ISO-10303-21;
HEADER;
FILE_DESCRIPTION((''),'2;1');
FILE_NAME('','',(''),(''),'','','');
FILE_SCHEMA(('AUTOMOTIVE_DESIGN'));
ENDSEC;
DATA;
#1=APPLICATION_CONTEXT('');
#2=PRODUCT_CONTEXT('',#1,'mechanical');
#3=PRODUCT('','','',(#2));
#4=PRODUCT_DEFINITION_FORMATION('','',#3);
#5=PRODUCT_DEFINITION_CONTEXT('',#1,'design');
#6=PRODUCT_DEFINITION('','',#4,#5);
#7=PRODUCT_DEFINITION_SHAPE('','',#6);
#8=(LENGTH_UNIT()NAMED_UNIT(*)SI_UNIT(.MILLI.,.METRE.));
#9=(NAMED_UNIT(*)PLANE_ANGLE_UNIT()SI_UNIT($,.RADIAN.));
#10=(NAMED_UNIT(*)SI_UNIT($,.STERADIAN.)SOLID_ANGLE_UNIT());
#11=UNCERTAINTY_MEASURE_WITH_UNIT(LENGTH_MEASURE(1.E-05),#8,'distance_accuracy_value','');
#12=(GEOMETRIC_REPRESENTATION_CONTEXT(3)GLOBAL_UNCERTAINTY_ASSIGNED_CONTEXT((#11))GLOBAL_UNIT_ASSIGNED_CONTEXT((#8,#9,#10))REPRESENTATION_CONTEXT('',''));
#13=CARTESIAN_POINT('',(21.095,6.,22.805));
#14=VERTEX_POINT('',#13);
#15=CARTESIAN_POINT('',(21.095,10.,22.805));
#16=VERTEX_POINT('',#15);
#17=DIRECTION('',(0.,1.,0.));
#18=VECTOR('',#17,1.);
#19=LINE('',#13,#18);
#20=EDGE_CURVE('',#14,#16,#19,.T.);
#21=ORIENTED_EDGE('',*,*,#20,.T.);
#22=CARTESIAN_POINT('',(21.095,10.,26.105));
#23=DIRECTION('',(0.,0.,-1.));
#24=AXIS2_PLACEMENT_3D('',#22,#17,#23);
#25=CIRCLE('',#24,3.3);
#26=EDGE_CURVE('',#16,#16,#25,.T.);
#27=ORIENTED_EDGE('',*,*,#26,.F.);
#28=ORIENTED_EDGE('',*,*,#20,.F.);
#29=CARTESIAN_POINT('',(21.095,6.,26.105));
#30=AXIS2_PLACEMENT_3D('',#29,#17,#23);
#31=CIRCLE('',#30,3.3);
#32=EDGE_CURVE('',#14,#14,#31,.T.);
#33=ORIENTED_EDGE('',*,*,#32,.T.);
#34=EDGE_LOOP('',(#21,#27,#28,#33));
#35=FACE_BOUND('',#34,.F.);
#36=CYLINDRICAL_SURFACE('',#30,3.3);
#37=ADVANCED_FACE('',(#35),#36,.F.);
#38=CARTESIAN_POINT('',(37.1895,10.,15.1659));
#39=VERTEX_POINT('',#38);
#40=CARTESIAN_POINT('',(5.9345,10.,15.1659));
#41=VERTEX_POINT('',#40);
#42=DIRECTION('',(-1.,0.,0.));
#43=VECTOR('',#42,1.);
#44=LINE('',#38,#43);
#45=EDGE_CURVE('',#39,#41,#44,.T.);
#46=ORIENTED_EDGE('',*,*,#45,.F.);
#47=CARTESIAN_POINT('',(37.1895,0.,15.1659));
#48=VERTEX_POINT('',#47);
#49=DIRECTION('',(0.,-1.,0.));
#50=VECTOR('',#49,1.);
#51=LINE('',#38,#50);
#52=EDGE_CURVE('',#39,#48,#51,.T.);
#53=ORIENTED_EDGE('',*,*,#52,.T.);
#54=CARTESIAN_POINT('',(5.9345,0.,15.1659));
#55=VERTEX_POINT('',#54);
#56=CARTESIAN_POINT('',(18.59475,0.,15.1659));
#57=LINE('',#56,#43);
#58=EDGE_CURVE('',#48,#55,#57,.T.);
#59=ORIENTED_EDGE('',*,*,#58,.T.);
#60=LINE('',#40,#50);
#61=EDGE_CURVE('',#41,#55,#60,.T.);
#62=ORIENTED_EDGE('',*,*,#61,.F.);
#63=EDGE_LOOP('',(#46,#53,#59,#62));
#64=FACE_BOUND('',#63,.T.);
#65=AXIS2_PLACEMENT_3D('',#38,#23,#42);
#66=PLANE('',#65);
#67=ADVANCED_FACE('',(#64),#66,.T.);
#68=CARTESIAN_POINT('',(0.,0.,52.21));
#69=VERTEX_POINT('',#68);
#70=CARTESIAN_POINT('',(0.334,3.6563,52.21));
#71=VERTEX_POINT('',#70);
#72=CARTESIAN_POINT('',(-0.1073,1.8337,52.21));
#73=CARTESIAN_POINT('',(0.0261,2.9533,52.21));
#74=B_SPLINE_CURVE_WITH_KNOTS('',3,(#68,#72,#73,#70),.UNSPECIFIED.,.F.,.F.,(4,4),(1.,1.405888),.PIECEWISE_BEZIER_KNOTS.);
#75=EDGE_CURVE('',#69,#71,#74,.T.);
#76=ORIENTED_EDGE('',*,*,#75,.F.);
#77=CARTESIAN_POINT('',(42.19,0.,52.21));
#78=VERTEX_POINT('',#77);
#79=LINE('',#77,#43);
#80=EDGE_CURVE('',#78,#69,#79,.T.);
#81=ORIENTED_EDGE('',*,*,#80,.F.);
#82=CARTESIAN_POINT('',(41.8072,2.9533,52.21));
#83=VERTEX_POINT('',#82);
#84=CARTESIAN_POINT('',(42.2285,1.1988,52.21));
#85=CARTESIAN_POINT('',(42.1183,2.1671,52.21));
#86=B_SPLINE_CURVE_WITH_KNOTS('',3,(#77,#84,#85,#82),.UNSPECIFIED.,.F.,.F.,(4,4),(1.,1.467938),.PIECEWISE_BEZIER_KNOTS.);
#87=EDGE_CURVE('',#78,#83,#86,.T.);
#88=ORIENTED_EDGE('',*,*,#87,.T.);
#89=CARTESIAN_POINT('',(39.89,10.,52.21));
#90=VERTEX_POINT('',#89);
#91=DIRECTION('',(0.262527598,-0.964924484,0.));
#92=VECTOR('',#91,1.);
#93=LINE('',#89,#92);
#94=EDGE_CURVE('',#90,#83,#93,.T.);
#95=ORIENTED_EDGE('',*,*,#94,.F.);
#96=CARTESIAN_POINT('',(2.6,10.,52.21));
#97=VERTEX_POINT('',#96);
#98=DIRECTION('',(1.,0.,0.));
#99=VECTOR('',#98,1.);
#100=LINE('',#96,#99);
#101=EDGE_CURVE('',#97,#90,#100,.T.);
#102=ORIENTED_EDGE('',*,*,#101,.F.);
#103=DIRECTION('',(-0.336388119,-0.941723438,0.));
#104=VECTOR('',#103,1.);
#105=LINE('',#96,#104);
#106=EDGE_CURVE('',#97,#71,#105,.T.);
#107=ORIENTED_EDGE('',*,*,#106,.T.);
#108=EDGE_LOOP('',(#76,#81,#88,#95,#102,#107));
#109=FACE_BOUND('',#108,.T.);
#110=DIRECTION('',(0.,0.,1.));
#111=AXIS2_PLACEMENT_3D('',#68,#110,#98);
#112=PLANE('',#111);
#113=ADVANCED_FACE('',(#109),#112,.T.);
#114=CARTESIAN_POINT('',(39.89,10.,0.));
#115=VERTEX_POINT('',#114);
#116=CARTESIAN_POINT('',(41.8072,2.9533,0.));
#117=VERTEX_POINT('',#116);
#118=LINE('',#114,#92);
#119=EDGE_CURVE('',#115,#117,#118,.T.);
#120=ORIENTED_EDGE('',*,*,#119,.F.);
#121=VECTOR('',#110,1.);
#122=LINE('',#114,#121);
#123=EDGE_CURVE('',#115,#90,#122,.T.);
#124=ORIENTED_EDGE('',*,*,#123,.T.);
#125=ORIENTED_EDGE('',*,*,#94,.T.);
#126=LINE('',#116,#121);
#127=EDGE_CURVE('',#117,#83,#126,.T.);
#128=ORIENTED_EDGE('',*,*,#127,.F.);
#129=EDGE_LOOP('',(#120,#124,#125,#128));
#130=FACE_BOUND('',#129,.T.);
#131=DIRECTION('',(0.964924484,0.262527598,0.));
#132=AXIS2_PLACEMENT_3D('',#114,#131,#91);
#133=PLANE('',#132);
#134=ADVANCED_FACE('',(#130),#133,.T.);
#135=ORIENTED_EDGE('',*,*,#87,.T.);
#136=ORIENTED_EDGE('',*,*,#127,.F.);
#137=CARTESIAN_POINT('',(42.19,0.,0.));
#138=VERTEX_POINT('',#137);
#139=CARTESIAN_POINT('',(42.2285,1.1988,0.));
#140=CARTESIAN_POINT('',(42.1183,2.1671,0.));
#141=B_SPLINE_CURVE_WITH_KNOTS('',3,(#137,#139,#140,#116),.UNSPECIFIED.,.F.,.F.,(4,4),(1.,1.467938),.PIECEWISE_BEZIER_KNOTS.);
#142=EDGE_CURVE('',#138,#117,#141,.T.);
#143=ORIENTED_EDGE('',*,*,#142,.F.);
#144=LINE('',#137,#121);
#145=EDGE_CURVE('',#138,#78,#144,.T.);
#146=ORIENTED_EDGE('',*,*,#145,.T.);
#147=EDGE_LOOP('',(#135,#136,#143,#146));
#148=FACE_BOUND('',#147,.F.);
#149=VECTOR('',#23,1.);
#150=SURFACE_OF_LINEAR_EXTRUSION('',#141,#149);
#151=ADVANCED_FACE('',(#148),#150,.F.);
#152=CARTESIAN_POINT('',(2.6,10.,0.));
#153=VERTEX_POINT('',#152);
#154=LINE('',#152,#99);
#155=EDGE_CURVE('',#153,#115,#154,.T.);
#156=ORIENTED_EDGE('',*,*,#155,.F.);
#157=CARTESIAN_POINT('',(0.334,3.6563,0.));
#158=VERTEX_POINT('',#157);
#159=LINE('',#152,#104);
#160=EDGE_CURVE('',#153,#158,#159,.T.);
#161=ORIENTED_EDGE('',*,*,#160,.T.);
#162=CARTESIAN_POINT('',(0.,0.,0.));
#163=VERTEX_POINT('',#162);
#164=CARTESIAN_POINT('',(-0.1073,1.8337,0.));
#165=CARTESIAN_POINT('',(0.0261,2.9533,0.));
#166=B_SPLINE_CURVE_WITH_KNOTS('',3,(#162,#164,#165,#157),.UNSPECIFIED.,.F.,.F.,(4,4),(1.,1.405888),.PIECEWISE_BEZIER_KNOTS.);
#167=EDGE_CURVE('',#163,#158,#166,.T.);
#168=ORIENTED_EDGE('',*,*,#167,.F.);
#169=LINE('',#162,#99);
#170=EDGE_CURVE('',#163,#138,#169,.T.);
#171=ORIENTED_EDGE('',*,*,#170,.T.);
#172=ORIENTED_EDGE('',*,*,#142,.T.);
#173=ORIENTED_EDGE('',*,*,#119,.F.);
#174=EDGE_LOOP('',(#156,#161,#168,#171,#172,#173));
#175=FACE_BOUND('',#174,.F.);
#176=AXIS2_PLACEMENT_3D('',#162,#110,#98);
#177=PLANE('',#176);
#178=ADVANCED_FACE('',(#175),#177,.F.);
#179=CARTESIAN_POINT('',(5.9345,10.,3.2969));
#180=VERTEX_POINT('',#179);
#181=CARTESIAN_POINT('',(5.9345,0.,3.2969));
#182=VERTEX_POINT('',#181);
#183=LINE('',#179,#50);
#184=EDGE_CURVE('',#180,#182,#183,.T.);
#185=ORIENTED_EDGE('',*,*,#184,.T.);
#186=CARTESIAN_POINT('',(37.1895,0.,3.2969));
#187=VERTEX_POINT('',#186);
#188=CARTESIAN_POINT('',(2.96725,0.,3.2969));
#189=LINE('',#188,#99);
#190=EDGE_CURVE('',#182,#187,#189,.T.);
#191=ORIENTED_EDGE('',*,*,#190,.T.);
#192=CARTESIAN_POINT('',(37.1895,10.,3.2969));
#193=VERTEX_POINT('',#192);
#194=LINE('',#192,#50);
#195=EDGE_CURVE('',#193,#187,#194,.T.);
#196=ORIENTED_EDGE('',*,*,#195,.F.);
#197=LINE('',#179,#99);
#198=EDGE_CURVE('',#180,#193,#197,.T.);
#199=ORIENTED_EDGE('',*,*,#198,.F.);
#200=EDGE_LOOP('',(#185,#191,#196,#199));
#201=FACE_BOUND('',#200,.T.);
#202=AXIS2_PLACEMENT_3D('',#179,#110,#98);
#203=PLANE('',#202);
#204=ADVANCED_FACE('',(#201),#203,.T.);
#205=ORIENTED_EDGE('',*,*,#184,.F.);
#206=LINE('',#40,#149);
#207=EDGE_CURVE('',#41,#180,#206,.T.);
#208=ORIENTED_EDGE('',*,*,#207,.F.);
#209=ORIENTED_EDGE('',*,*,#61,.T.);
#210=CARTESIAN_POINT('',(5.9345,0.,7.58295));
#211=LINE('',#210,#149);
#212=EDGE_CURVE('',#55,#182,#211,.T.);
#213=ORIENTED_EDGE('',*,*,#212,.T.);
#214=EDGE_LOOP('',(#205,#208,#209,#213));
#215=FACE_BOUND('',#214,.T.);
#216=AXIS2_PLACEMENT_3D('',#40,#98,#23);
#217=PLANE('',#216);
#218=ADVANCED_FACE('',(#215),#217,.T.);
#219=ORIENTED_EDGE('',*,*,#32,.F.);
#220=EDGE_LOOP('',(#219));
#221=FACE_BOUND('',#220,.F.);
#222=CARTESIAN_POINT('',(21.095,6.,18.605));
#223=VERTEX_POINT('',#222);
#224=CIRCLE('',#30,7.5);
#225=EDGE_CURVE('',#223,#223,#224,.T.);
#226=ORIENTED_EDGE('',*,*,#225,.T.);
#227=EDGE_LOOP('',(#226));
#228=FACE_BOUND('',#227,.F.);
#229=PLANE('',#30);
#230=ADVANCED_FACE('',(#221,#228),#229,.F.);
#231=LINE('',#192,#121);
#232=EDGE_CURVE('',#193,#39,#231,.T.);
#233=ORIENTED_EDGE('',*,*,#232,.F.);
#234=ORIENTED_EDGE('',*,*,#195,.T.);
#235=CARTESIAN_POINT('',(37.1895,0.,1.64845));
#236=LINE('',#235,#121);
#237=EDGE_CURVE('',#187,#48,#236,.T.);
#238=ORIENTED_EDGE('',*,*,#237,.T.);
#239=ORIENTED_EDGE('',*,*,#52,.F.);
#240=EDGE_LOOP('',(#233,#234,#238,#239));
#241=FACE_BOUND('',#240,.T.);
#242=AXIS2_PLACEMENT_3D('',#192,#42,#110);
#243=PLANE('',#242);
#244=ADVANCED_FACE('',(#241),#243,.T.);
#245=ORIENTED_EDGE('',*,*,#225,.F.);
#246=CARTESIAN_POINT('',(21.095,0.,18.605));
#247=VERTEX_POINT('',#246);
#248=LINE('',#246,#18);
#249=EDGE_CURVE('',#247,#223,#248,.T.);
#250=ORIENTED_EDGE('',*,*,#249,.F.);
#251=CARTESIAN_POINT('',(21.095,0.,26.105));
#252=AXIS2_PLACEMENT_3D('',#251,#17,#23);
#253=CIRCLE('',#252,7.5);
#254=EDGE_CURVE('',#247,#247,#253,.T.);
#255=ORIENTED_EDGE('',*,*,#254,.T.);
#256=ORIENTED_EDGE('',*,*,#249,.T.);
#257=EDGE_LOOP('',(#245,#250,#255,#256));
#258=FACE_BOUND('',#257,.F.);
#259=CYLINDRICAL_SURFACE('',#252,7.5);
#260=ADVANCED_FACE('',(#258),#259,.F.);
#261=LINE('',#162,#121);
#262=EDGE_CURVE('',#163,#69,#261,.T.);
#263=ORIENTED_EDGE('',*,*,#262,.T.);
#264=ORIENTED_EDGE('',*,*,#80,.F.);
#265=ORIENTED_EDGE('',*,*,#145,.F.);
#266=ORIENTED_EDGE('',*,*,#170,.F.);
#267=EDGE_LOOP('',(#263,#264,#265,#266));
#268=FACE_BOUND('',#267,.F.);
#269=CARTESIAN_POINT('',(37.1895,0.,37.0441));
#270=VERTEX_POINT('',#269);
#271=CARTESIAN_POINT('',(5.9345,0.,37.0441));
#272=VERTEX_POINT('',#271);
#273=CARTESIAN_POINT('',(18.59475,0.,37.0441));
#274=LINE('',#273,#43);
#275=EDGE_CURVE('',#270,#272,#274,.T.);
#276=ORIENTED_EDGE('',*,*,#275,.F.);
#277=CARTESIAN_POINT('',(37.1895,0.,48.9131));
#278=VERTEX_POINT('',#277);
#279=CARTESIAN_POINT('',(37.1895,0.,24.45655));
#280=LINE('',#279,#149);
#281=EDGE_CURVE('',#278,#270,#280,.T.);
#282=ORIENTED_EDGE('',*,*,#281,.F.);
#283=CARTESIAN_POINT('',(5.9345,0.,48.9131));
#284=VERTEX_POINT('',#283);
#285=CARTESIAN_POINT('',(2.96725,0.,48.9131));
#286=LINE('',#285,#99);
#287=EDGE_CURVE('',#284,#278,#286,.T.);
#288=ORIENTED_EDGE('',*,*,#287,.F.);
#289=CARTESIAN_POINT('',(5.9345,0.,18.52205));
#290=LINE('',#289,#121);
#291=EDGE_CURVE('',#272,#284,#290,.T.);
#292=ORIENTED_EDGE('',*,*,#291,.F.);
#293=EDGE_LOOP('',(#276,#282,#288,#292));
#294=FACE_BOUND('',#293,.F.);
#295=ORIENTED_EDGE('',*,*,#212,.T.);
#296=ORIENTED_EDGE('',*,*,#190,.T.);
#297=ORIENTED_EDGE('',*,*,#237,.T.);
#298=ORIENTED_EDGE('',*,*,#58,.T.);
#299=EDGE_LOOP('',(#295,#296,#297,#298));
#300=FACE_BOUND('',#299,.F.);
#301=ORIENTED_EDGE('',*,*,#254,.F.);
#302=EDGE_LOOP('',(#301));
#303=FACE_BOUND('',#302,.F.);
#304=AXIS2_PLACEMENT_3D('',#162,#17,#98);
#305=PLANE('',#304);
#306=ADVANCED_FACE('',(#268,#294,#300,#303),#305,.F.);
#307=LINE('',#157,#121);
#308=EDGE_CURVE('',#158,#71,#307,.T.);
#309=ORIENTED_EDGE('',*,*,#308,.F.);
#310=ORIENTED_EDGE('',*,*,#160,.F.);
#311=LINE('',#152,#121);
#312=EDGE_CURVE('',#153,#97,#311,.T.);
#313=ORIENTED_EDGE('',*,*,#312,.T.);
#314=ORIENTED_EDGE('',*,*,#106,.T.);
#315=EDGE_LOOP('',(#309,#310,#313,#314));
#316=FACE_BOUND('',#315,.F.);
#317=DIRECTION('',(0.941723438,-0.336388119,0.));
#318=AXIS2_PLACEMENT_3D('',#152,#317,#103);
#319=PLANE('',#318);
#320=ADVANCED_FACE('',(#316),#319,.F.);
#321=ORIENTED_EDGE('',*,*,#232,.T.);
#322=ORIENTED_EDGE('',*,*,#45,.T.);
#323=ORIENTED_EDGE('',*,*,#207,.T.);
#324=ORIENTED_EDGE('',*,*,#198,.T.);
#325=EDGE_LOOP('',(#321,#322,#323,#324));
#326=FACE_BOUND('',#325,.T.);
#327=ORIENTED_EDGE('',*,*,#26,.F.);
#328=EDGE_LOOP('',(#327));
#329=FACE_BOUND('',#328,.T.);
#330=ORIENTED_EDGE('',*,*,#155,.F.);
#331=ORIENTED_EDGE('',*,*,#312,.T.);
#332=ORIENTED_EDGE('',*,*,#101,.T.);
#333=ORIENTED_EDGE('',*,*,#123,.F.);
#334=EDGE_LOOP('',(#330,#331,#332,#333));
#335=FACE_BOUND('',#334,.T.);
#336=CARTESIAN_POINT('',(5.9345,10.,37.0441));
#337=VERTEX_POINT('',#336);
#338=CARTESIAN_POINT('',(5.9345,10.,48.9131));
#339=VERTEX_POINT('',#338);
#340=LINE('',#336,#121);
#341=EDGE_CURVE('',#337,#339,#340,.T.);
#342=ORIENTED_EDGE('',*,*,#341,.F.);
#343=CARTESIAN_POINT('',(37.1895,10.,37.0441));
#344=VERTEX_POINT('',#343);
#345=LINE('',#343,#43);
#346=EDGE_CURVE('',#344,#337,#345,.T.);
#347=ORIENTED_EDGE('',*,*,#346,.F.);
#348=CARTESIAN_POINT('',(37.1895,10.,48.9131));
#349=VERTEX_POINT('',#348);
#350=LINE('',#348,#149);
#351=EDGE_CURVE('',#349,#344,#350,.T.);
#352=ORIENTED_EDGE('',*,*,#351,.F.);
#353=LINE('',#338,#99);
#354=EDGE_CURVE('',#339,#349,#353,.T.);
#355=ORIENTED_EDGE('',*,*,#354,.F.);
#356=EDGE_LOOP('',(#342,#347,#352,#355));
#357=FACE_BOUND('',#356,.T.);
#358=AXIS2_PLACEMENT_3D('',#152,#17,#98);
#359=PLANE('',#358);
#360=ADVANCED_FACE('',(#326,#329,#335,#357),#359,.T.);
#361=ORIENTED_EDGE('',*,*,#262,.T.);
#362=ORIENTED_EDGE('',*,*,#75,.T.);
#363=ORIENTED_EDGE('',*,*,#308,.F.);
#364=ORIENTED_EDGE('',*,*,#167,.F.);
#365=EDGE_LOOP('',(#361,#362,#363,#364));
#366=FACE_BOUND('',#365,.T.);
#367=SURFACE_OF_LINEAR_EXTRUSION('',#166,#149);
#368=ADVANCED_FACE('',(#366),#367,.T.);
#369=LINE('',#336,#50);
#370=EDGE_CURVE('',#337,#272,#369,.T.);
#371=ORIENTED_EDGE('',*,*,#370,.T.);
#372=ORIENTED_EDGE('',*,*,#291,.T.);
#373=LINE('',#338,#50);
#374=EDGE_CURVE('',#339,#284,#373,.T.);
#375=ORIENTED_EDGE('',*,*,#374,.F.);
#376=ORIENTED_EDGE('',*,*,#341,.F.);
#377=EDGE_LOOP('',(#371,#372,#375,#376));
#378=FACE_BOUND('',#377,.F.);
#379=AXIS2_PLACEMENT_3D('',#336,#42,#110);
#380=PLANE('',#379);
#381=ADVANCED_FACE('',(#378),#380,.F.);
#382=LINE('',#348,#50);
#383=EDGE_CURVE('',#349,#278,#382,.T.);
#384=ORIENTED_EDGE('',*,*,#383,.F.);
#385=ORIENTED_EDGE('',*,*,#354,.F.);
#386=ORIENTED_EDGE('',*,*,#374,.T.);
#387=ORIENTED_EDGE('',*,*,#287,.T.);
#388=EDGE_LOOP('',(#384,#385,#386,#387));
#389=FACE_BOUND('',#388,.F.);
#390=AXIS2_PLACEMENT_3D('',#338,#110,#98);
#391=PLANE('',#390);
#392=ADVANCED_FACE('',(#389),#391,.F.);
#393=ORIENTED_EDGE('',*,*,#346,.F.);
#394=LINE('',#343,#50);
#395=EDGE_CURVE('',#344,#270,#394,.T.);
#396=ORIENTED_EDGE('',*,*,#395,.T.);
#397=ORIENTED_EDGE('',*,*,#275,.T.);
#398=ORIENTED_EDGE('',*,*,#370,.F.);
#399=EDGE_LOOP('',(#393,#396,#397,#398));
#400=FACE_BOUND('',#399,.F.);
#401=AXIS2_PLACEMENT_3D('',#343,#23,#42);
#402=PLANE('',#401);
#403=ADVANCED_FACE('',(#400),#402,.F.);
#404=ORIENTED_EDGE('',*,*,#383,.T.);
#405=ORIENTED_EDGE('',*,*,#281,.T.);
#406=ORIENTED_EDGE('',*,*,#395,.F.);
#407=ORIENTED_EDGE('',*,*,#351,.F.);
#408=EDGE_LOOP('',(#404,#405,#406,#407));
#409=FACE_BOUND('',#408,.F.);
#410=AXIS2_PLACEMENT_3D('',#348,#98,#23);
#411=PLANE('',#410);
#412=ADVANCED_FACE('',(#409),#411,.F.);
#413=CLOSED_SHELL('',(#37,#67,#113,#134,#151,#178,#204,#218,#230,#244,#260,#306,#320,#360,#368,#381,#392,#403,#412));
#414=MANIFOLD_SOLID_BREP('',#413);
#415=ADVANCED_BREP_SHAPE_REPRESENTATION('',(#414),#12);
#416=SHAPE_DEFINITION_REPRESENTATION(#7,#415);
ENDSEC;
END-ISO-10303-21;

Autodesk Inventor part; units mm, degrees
sketch "Skizze1" plane through (0, 0, 0) normal (0, 0, 1) x (1, 0, 0)
  line L0 (0, 0) -> (42.19, 0)
  line L1 (2.6, 0) -> (2.6, 10)
  line L2 (39.89, 0) -> (39.89, 10)
  line L3 (2.6, 10) -> (39.89, 10)
  line L4 (0, 0) -> (-0.1073, 1.8337) construction
  spline S0 degree 3 poles (0, 0) (-0.1073, 1.8337) (0.0261, 2.9533) (0.334, 3.6563) knots 1 1 1 1 1.405888 1.405888 1.405888 1.405888
  line L5 (42.19, 0) -> (42.2285, 1.1988) construction
  spline S1 degree 3 poles (42.19, 0) (42.2285, 1.1988) (42.1183, 2.1671) (41.8072, 2.9533) knots 1 1 1 1 1.467938 1.467938 1.467938 1.467938
  line L6 (2.6, 10) -> (0.334, 3.6563)
  line L7 (-0.1073, 1.8337) -> (0.0261, 2.9533) construction
  line L8 (0.0261, 2.9533) -> (0.334, 3.6563) construction
  line L9 (39.89, 10) -> (41.8072, 2.9533)
  line L10 (42.2285, 1.1988) -> (42.1183, 2.1671) construction
  line L11 (42.1183, 2.1671) -> (41.8072, 2.9533) construction
  point P0 (39.89, 5)
  point P1 (2.6, 5)
  dimension "d0" = 42.19
  dimension "d1" = 2.6
  dimension "d2" = 10
  dimension "d3" = 2.3
extrude "Extrusion1" add sketch "Skizze1" along normal blind 52.21
sketch "Skizze3" plane through (0, 0, 0) normal (0, -1, 0) x (1, 0, 0)
  line L0 (0, 0) -> (42.19, 0) projected
  line L1 (0, 52.21) -> (42.19, 52.21) projected
  line L2 (42.19, 0) -> (42.19, 52.21) projected
  line L3 (0, 0) -> (0, 52.21) projected
  point P0 (21.095, 26.105)
hole "Bohrung2" at (21.095, 0, 26.105) direction (0, 1, 0) diameter 6.6 depth 10 counterbore diameter 15 counterbore depth 6
sketch "Skizze4" plane through (2.6, 10, 0) normal (0, 1, 0) x (1, 0, 0)
  line L0 (3.3345, -3.2969) -> (34.5895, -3.2969)
  line L1 (34.5895, -3.2969) -> (34.5895, -15.1659)
  line L2 (34.5895, -15.1659) -> (3.3345, -15.1659)
  line L3 (3.3345, -15.1659) -> (3.3345, -3.2969)
  circle A0 centre (18.495, -26.105) radius 3.3 projected
  line L4 (37.29, 0) -> (0, 0) projected
  line L5 (0, 0) -> (0, -52.21) projected
  line L6 (37.29, -52.21) -> (0, -52.21) projected
  line L7 (37.29, 0) -> (37.29, -52.21) projected
  line L8 (18.495, -26.105) -> (-9.8533, -26.105)
  line L9 (3.3345, -48.9131) -> (34.5895, -48.9131)
  line L10 (34.5895, -48.9131) -> (34.5895, -37.0441)
  line L11 (34.5895, -37.0441) -> (3.3345, -37.0441)
  line L12 (3.3345, -37.0441) -> (3.3345, -48.9131)
  point P0 (-2.6, 0)
extrude "Extrusion2" cut sketch "Skizze4" against normal through all contours L0 L1 L2 L3 | L12 L11 L10 L9
properties part number "tripodInlay"
